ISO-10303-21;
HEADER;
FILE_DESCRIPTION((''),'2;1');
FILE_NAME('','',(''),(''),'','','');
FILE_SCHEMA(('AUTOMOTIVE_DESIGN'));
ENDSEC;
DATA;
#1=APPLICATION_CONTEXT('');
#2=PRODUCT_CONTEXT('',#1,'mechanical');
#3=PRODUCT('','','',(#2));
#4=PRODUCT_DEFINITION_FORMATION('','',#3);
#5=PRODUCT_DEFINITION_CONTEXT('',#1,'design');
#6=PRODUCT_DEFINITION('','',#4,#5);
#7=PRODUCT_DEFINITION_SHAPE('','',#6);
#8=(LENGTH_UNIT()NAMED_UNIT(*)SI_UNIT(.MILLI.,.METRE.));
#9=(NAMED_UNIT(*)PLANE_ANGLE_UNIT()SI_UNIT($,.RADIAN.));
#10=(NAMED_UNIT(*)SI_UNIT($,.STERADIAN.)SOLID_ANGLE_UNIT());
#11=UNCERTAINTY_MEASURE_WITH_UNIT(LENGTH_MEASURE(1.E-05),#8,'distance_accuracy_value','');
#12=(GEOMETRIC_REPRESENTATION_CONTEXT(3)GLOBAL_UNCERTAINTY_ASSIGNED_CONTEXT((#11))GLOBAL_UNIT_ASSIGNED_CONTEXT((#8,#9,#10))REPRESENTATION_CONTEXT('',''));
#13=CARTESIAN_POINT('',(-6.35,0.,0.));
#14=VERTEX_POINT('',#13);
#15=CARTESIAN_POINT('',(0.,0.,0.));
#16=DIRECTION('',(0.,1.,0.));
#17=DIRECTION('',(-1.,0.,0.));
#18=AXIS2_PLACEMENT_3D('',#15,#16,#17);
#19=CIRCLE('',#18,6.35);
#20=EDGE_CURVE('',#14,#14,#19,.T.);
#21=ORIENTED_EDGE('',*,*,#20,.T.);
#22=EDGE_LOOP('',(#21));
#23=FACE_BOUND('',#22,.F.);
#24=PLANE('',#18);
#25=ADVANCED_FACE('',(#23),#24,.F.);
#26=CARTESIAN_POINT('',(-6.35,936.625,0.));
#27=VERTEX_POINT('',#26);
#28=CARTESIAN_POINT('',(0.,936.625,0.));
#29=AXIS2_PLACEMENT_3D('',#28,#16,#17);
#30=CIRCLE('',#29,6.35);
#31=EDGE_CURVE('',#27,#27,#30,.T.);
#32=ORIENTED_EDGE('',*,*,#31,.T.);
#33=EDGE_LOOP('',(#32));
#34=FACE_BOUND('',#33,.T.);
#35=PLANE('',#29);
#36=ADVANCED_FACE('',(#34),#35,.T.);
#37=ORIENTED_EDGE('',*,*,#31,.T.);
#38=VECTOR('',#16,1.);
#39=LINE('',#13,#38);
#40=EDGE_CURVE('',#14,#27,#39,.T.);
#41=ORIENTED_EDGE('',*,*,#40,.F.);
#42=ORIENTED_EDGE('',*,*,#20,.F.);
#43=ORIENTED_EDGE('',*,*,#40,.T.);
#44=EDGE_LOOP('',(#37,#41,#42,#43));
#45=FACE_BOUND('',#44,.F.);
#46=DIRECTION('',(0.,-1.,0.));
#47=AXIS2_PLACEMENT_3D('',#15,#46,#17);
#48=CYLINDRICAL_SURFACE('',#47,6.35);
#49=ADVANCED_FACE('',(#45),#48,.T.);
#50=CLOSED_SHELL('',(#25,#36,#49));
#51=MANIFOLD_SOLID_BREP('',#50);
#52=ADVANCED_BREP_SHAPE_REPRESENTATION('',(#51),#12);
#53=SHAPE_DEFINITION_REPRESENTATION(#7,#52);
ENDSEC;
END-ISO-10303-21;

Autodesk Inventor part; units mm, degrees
ref_plane "YZ Plane" through (0, 0, 0) normal (1, 0, 0) x (0, 1, 0)
ref_plane "XZ Plane" through (0, 0, 0) normal (0, 1, 0) x (-1, 0, 0)
ref_plane "XY Plane" through (0, 0, 0) normal (0, 0, 1) x (1, 0, 0)
sketch "Sketch1" plane through (0, 0, 0) normal (0, 1, 0) x (-1, 0, 0)
  circle A0 centre (0, 0) radius 6.35
  dimension "d0" = 12.7
extrude "Extrusion1" add sketch "Sketch1" along normal blind 936.625
properties part number "Ground_Rod" material "Copper"
